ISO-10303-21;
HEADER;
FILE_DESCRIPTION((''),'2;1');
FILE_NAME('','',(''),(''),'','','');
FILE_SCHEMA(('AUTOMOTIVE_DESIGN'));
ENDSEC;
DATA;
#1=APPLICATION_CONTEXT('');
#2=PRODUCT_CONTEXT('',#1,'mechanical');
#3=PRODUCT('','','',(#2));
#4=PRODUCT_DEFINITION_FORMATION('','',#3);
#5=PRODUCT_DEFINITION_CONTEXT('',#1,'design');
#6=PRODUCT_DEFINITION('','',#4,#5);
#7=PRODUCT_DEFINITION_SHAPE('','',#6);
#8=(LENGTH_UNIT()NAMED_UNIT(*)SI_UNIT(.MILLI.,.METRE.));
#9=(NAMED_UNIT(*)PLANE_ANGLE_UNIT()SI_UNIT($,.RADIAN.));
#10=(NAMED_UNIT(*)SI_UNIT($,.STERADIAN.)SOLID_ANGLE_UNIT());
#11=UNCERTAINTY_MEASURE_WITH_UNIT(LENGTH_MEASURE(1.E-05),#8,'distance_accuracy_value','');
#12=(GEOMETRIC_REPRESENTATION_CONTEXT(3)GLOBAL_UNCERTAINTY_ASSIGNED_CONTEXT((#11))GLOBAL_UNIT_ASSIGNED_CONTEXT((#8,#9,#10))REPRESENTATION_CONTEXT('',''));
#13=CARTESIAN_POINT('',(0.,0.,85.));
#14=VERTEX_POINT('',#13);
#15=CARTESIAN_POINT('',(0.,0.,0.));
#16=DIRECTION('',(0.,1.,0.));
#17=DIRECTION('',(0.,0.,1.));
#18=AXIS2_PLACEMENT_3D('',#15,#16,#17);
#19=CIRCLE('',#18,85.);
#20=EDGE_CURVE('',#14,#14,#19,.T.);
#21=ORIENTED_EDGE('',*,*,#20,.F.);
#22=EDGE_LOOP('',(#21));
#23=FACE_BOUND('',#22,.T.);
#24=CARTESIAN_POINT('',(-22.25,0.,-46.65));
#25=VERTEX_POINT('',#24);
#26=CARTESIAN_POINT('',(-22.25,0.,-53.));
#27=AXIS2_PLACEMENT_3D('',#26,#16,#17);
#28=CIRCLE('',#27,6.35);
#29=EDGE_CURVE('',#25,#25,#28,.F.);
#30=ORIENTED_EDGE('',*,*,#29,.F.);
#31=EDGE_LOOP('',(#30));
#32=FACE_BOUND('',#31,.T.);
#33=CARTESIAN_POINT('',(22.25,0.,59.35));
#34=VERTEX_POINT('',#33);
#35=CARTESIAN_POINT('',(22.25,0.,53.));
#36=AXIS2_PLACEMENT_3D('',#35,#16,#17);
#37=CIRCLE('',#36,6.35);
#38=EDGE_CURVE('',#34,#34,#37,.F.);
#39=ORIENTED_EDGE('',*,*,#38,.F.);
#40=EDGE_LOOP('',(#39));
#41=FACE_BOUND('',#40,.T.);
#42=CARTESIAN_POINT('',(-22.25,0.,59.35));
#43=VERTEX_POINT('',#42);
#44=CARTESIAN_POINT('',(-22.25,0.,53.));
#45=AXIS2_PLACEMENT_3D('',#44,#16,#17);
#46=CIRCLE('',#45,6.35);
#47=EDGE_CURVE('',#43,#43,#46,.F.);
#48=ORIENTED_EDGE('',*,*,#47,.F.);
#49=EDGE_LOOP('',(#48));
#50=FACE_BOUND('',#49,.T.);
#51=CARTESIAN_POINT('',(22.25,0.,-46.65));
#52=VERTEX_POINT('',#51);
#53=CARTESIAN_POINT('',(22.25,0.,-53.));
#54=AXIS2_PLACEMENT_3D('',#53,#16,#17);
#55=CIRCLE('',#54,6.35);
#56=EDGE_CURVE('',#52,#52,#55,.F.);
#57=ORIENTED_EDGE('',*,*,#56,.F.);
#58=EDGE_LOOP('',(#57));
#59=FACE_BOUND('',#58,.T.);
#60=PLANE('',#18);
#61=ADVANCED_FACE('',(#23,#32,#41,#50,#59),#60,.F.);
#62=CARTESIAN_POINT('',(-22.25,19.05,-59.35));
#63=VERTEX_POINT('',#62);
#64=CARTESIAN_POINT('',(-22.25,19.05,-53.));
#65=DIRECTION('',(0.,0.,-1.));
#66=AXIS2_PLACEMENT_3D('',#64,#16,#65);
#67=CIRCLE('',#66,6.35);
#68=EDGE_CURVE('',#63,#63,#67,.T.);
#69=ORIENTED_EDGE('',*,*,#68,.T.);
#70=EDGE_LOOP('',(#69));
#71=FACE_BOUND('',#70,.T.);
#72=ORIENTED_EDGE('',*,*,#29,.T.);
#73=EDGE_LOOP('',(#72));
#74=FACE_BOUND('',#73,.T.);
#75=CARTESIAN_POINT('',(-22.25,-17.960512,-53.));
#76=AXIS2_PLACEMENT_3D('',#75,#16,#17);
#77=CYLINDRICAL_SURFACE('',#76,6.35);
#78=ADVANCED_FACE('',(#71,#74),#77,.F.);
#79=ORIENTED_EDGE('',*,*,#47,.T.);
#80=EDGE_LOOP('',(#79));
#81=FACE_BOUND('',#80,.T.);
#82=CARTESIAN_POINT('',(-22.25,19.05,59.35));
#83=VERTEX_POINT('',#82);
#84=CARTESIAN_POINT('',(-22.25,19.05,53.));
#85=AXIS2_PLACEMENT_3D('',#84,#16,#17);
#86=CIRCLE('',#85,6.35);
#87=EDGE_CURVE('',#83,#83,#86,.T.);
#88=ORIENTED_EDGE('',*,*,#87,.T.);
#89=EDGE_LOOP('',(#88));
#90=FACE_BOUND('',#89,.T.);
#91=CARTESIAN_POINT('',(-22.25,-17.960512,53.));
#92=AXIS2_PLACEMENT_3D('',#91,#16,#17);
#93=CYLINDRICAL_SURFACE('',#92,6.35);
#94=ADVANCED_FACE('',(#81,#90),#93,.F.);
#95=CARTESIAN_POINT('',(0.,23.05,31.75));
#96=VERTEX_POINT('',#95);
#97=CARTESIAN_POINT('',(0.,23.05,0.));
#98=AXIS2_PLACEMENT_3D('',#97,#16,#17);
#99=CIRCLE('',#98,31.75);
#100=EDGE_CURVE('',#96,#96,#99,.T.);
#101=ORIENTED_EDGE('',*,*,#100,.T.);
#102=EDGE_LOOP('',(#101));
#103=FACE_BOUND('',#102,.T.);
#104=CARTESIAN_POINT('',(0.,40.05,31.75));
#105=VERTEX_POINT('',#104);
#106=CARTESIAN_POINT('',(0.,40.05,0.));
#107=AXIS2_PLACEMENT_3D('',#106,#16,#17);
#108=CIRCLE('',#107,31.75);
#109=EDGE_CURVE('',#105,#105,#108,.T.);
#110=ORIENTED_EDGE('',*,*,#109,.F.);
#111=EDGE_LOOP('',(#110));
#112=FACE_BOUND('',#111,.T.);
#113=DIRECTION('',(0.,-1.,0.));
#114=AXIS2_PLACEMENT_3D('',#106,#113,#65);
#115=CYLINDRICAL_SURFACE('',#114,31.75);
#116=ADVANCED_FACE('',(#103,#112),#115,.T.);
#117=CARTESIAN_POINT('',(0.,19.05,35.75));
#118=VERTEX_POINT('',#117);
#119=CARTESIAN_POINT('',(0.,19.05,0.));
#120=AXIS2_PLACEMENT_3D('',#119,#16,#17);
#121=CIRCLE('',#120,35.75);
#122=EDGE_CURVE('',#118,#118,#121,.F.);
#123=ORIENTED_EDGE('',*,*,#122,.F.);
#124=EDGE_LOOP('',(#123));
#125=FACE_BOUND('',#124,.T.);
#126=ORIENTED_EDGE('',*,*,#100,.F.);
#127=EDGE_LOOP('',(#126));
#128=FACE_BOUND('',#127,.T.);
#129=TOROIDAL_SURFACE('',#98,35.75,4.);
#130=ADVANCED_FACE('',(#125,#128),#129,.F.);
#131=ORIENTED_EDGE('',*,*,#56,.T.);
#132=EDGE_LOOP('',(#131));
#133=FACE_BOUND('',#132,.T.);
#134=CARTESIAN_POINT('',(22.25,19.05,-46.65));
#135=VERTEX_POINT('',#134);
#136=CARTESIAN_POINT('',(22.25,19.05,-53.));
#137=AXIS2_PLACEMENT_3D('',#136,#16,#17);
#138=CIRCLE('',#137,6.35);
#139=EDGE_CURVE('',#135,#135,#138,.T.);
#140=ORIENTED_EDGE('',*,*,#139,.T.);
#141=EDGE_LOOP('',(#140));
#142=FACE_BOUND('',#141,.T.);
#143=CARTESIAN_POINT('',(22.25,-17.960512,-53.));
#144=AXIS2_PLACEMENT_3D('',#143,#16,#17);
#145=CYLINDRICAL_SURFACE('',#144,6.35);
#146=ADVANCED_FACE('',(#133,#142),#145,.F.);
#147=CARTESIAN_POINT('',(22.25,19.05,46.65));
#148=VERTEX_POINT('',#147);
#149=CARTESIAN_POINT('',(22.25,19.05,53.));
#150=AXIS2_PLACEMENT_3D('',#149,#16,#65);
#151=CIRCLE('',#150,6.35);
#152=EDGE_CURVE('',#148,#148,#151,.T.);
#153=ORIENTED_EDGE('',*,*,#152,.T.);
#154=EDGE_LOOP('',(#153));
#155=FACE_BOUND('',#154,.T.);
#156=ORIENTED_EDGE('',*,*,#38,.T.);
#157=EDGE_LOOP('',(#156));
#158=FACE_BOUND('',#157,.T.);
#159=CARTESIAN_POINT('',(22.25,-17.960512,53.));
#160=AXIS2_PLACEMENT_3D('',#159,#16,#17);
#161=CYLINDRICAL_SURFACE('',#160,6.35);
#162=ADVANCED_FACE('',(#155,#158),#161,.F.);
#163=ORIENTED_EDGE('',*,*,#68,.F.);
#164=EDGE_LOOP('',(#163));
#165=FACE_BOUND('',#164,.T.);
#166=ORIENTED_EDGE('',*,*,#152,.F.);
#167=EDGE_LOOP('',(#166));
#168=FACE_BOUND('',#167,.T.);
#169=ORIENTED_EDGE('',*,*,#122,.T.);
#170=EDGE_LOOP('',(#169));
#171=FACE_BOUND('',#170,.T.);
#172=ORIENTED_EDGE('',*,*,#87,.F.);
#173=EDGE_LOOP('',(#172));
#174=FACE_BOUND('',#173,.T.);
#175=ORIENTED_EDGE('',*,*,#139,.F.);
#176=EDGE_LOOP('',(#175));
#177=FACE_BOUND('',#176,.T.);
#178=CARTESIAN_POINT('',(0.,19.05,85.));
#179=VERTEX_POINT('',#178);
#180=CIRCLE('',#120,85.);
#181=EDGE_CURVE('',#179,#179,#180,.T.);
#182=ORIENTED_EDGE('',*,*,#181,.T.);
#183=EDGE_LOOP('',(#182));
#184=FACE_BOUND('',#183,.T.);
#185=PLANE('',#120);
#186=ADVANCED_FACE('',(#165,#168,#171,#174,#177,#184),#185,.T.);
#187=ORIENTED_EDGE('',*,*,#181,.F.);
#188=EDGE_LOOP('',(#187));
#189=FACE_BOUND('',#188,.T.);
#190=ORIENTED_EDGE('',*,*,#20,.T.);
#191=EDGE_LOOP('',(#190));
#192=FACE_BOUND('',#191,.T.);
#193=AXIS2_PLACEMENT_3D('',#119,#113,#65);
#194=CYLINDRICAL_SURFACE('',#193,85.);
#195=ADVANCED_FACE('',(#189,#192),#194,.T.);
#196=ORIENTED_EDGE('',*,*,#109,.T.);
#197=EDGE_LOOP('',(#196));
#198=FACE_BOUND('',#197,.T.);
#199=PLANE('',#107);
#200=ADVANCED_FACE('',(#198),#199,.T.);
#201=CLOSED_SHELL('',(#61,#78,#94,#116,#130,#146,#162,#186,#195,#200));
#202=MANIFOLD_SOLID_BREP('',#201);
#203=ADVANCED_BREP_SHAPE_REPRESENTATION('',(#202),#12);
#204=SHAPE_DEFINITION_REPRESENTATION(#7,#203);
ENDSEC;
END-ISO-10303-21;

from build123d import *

# Parameters (mm, degrees)
CROQUIS1_R              = 85
SALIENTE_EXTRUIR1_DEPTH = 19.05
CROQUIS2_R              = 31.75
SALIENTE_EXTRUIR2_DEPTH = 21
REDONDEO1_R             = 4
CROQUIS3_R              = 6.35
CORTAR_EXTRUIR1_DEPTH   = 19.05


with BuildPart() as part:
    # Croquis1 → Saliente-Extruir1 (new body)
    with BuildSketch(Plane(origin=(0, 0, 0), x_dir=(1, 0, 0), z_dir=(0, 1, 0))):
        Circle(CROQUIS1_R)
    extrude(amount=SALIENTE_EXTRUIR1_DEPTH)

    # Croquis2 → Saliente-Extruir2 (add)
    with BuildSketch(Plane(origin=(0, 19.05, 0), x_dir=(1, 0, 0), z_dir=(0, 1, 0))):
        Circle(CROQUIS2_R)
    extrude(amount=SALIENTE_EXTRUIR2_DEPTH)

    # Redondeo1
    redondeo1_edges = [part.edges().sort_by_distance(p)[0] for p in [
        (-31.75, 19.05, 0),
    ]]
    fillet(redondeo1_edges, radius=REDONDEO1_R)

    # Croquis3 → Cortar-Extruir1 (cut)
    with BuildSketch(Plane(origin=(0, 19.05, 0), x_dir=(1, 0, 0), z_dir=(0, 1, 0))):
        with Locations((-22.25, -53)):
            Circle(CROQUIS3_R)
        with Locations((-22.25, 53)):
            Circle(CROQUIS3_R)
        with Locations((22.25, 53)):
            Circle(CROQUIS3_R)
        with Locations((22.25, -53)):
            Circle(CROQUIS3_R)
    extrude(amount=-CORTAR_EXTRUIR1_DEPTH, mode=Mode.SUBTRACT)


solid = part.part
